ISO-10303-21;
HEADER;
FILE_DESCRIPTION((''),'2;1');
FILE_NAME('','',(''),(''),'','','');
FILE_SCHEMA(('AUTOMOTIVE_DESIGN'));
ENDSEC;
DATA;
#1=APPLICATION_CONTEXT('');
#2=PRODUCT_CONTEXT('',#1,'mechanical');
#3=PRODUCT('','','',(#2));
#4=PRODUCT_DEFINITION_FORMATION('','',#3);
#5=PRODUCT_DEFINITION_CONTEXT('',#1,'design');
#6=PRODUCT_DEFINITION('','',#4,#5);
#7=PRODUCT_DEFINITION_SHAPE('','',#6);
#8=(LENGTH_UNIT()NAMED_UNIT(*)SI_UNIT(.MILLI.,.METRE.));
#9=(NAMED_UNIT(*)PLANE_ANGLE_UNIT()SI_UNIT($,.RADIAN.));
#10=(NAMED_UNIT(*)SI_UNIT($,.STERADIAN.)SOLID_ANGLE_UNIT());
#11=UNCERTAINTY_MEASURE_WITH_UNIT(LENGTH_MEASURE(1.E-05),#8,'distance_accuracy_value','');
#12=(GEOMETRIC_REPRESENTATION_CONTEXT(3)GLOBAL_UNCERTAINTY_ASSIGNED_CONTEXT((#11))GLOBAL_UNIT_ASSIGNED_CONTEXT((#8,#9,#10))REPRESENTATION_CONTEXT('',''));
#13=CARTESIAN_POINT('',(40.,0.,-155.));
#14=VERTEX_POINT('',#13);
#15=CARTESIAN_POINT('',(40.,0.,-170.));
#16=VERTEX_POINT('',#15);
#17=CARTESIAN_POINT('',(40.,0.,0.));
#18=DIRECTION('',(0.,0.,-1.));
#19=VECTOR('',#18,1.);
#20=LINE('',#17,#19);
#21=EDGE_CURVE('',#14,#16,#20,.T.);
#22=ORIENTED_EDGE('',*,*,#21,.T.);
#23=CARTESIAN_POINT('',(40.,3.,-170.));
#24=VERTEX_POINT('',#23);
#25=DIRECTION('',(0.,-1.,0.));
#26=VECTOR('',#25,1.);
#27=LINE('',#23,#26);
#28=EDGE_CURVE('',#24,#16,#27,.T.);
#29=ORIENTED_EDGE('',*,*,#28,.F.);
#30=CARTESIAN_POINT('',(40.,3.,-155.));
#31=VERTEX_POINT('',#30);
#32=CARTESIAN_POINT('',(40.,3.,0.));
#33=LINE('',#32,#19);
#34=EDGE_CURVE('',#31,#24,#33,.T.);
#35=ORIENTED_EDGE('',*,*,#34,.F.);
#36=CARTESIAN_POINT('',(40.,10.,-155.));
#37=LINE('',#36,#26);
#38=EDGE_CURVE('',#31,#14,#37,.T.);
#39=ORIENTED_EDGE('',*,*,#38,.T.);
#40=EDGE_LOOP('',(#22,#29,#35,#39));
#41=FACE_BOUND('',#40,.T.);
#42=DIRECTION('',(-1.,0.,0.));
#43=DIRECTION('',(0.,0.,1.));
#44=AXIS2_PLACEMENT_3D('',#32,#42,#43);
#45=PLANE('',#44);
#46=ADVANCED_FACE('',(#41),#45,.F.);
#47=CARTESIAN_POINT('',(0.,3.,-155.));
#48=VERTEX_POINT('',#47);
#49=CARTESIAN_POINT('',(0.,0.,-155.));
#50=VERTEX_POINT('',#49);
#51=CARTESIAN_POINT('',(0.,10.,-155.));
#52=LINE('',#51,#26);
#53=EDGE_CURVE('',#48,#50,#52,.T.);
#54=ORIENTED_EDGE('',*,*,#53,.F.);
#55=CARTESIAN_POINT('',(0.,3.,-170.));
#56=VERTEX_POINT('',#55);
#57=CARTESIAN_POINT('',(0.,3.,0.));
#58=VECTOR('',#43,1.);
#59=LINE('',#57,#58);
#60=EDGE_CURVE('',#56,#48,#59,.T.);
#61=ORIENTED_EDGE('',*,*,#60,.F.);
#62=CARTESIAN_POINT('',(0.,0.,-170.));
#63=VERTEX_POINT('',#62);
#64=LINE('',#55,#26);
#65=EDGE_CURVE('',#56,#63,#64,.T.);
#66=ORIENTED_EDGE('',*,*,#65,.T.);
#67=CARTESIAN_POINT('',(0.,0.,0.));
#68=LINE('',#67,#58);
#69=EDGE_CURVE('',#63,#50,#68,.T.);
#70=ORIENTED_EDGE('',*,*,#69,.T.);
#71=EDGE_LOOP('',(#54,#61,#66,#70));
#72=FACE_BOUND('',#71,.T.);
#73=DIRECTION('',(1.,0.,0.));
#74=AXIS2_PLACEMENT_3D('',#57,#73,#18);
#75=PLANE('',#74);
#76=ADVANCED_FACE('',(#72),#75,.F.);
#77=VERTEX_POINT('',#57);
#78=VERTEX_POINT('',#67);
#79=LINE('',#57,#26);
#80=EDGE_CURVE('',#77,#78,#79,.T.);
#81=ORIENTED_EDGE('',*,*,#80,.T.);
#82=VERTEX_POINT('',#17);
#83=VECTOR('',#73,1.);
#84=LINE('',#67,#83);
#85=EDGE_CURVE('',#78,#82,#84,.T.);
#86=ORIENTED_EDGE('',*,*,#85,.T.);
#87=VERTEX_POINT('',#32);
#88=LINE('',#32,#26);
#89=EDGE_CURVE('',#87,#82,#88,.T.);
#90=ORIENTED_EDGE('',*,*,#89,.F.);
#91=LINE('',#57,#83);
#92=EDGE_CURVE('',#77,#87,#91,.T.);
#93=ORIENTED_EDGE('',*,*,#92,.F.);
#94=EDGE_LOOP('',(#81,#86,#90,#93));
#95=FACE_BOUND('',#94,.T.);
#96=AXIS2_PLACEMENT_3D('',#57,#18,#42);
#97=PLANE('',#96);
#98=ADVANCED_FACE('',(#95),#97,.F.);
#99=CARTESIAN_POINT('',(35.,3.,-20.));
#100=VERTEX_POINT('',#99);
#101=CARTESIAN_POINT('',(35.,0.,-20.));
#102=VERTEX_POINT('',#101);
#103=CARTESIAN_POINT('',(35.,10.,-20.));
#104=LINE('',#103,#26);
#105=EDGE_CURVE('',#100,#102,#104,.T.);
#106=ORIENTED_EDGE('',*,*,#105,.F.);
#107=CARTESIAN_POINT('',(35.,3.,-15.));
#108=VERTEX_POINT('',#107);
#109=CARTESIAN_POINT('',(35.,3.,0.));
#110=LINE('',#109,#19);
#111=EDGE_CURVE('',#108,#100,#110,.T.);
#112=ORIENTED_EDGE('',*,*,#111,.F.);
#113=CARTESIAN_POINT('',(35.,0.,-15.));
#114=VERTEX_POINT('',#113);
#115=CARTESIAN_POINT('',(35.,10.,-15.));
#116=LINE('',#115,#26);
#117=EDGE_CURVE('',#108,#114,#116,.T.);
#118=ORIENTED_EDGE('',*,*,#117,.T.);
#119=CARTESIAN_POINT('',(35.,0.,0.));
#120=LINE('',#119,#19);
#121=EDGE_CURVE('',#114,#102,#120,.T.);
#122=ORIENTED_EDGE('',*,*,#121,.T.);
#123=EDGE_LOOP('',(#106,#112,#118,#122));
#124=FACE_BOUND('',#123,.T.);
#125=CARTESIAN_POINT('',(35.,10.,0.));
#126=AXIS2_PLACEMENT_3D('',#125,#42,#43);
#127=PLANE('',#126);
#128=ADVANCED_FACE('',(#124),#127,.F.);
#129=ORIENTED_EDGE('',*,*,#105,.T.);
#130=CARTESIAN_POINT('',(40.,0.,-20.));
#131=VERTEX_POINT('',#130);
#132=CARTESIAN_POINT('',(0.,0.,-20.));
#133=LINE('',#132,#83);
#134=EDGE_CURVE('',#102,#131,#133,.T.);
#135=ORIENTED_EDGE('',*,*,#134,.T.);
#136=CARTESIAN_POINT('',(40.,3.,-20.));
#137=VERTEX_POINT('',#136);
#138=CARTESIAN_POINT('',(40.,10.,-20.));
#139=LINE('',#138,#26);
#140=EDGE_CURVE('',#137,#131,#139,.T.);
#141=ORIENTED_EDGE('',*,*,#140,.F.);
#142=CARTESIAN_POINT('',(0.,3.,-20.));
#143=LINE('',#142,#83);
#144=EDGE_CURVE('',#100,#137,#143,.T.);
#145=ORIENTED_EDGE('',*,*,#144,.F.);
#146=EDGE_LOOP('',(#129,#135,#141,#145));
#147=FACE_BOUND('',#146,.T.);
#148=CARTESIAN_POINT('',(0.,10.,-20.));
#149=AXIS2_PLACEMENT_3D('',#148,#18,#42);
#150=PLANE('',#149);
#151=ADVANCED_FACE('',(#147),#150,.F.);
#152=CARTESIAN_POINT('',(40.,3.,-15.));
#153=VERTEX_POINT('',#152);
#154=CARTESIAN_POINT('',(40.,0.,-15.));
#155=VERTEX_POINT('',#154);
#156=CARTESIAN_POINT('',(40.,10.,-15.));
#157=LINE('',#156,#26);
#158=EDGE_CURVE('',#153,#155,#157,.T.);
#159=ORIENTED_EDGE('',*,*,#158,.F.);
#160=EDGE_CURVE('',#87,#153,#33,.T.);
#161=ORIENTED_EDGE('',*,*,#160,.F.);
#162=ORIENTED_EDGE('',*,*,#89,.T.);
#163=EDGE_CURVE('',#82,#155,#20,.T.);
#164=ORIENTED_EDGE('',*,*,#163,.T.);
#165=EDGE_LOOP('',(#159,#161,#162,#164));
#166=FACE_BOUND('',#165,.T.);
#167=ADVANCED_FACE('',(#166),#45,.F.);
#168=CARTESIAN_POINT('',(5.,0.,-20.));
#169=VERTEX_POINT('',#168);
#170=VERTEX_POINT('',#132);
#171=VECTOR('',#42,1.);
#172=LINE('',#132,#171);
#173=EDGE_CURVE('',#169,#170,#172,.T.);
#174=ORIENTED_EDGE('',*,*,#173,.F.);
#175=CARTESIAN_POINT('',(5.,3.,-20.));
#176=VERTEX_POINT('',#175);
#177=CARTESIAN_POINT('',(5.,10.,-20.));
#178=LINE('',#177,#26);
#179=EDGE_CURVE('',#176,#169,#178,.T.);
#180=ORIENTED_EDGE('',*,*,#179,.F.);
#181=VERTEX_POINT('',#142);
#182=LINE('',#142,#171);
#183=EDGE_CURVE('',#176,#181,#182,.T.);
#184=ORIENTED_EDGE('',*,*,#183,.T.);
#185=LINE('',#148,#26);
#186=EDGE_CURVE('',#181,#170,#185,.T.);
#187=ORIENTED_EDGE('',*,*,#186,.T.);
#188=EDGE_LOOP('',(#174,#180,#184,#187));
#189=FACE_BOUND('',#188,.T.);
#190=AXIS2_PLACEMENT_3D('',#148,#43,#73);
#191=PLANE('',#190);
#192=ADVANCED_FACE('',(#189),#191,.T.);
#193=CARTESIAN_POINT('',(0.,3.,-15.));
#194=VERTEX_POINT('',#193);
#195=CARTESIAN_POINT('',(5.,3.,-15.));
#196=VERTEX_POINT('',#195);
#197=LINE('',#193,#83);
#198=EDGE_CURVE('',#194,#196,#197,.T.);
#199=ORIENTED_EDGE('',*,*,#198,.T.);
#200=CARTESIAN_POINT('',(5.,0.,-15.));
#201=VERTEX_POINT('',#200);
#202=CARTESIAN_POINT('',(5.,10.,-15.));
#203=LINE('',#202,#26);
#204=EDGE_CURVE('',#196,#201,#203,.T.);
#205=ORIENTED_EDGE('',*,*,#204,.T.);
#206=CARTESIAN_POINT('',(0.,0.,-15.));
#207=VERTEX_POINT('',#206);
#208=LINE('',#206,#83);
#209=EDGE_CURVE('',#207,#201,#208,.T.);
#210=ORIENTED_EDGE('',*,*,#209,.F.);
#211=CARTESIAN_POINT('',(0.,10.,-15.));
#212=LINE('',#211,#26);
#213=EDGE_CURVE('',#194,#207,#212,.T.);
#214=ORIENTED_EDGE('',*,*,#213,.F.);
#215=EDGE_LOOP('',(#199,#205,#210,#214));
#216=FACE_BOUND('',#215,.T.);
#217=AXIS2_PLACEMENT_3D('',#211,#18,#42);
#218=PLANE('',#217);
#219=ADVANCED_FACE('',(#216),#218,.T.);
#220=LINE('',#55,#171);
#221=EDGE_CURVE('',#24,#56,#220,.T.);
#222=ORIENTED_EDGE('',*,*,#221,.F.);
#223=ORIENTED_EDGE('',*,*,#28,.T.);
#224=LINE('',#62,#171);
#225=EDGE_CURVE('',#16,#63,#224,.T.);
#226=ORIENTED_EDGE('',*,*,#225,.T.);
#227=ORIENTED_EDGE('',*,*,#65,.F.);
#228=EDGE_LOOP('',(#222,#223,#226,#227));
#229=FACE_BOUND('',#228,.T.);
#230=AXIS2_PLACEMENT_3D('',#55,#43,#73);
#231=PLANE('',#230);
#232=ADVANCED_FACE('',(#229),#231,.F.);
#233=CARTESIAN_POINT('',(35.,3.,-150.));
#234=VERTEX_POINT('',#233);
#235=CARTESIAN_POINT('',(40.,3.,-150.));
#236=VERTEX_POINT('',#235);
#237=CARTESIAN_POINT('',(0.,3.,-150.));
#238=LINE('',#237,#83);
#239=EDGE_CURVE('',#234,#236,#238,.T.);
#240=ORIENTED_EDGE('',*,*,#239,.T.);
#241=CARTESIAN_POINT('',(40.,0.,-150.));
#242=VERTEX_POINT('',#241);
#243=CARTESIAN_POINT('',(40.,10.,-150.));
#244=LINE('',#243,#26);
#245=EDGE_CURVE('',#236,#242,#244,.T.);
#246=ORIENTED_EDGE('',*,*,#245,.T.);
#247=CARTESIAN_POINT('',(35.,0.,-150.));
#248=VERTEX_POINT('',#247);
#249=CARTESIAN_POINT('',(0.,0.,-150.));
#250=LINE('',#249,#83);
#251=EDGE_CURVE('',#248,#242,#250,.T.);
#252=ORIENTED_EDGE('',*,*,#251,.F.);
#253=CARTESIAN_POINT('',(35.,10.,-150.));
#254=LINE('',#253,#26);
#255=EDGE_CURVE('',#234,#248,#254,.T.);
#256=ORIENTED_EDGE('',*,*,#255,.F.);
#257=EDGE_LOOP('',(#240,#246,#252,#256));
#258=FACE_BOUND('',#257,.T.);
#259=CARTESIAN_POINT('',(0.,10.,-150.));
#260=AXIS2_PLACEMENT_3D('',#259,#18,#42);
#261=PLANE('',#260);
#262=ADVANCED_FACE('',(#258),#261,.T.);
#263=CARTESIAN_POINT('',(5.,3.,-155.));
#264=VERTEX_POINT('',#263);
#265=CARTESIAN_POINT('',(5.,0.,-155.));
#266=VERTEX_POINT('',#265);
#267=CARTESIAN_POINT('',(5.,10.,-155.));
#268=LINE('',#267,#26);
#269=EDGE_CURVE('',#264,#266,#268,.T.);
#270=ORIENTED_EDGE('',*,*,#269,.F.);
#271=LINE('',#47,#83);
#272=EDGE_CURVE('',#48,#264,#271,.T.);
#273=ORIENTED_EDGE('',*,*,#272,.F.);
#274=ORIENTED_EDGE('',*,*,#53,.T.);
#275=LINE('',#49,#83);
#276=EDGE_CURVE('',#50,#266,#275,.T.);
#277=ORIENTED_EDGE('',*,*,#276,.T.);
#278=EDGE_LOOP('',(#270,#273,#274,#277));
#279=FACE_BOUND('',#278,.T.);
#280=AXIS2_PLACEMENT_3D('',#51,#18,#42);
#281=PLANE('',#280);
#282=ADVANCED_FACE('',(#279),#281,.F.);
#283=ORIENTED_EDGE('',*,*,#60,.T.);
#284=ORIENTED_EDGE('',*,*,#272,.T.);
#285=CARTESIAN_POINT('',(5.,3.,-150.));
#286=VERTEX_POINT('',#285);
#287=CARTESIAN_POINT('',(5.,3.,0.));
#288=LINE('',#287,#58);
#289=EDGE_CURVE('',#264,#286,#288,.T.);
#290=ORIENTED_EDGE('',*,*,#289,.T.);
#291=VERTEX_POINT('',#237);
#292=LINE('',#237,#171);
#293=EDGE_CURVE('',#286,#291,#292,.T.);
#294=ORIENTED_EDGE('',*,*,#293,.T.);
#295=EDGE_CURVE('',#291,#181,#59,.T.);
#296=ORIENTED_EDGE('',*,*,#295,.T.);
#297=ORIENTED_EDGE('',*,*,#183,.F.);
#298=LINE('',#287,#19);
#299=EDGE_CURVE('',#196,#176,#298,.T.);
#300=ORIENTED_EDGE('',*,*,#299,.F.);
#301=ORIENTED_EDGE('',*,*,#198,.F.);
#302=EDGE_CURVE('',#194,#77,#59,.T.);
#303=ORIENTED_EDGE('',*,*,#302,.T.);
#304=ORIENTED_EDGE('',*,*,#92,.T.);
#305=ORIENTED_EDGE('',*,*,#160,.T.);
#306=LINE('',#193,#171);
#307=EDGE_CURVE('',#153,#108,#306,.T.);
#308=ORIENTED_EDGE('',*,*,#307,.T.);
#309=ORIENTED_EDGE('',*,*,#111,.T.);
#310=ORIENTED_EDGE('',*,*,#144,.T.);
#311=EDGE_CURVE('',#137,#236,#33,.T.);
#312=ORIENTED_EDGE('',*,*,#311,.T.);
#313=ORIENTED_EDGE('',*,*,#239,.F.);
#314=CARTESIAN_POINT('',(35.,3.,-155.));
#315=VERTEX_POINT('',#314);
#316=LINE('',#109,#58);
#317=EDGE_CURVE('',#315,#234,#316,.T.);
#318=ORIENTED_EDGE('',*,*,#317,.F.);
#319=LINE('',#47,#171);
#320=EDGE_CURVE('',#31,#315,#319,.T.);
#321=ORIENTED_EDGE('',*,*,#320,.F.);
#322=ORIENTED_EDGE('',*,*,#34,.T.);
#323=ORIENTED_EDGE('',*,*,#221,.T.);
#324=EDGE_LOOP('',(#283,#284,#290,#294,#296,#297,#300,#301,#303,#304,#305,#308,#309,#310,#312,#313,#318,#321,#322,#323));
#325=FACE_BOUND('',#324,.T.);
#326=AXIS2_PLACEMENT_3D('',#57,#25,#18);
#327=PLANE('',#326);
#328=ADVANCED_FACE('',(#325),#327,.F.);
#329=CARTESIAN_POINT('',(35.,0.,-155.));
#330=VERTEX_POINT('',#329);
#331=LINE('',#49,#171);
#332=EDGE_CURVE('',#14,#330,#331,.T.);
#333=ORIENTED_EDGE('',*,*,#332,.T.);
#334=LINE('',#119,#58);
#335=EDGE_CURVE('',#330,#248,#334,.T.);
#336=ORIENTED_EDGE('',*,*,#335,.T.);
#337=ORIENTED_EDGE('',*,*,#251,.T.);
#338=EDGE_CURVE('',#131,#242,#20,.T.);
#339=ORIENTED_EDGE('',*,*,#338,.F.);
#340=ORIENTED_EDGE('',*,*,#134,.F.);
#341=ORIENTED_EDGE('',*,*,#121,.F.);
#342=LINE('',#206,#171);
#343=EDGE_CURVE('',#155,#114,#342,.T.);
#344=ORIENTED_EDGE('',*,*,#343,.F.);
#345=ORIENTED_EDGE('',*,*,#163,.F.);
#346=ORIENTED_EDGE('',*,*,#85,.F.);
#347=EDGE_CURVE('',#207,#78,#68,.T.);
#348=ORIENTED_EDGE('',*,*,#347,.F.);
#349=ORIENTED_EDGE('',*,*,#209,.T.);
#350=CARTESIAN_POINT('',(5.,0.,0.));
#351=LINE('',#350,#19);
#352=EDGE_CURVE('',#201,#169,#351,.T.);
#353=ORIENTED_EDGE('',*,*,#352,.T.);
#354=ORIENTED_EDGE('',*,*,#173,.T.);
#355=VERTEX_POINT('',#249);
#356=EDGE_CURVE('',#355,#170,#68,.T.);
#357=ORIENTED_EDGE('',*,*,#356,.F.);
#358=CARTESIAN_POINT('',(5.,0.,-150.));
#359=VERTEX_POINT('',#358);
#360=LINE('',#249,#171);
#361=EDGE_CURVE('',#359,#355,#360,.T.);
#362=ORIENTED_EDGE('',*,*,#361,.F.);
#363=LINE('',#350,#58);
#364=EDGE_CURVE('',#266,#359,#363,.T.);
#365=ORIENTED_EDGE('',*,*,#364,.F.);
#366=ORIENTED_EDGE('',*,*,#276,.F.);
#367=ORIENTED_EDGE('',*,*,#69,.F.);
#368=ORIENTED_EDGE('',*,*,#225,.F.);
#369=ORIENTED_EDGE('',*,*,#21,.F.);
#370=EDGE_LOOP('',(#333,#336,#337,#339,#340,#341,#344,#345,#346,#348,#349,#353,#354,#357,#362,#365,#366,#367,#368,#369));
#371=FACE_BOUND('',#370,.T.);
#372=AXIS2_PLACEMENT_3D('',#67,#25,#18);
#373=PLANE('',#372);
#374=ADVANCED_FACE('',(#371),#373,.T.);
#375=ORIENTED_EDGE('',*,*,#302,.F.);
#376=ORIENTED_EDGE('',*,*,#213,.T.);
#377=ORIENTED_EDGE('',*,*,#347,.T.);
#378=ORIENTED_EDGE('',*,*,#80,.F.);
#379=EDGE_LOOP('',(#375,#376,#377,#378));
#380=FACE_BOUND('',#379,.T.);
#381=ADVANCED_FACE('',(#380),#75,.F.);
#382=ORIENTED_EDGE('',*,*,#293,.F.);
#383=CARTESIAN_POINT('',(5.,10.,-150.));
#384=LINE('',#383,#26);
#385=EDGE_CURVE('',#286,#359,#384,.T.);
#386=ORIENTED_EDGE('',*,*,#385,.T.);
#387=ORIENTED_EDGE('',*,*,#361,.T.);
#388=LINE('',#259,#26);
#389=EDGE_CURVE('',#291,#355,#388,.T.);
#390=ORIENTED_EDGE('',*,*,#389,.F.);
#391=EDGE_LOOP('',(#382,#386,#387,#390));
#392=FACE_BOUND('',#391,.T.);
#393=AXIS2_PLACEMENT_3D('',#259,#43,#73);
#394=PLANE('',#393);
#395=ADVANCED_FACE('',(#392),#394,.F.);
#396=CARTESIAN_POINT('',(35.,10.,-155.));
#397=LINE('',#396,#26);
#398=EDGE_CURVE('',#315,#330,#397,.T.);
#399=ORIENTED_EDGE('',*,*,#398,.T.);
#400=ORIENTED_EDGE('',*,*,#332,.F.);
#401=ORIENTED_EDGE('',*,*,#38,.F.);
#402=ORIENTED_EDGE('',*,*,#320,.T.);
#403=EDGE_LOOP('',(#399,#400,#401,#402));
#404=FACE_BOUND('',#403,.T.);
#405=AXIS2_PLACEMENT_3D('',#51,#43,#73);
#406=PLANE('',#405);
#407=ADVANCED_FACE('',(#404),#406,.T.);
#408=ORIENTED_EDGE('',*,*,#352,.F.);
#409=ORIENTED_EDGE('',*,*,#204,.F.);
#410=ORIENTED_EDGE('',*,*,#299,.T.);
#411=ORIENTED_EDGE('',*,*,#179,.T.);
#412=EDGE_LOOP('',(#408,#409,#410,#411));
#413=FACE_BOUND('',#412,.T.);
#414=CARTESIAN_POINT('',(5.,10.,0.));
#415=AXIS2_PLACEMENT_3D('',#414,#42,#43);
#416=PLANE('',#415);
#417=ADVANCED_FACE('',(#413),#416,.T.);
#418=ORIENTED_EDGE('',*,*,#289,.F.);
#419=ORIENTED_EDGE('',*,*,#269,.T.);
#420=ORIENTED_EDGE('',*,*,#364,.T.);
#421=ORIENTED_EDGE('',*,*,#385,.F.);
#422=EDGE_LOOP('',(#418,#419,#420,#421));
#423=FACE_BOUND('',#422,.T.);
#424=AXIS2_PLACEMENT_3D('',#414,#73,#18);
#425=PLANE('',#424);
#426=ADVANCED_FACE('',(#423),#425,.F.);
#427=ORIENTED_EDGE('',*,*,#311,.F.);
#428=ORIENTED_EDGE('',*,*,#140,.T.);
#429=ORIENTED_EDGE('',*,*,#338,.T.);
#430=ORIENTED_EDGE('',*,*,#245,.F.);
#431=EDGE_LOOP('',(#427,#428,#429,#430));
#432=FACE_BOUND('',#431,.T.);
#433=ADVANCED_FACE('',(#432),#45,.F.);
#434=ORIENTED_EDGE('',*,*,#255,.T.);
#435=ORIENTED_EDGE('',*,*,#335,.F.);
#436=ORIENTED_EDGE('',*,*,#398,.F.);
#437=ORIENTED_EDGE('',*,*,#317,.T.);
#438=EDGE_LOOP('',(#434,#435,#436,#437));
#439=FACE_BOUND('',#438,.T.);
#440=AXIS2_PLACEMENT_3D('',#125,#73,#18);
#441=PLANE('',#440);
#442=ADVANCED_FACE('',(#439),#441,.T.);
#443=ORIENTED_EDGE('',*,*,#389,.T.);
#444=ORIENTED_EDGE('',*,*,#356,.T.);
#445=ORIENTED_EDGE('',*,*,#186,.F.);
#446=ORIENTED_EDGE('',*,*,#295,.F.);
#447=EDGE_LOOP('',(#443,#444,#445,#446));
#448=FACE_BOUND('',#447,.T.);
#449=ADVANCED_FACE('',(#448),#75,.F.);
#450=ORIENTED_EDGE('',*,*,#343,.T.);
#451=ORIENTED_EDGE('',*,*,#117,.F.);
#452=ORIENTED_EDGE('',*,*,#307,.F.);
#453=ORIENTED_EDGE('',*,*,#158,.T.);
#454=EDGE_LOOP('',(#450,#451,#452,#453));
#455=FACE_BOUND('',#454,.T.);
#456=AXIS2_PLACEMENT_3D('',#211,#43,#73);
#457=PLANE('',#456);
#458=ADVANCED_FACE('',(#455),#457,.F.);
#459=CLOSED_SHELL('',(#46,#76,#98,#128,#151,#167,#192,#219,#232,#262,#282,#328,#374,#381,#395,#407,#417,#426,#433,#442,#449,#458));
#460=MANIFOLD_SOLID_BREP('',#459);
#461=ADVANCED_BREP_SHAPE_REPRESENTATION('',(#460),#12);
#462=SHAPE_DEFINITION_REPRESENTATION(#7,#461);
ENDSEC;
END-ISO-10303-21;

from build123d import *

# Parameters (mm, degrees)
SKETCH1_W           = 40
SKETCH1_H           = 170
BOSS_EXTRUDE1_DEPTH = 3
SKETCH2_W           = 5
SKETCH2_H           = 5
CUT_EXTRUDE1_DEPTH  = 10


with BuildPart() as part:
    # Sketch1 → Boss-Extrude1 (new body)
    with BuildSketch(Plane(origin=(0, 0, 0), x_dir=(1, 0, 0), z_dir=(0, 1, 0))):
        with Locations((20, 85)):
            Rectangle(SKETCH1_W, SKETCH1_H)
    extrude(amount=BOSS_EXTRUDE1_DEPTH)

    # Sketch2 → Cut-Extrude1 (cut)
    with BuildSketch(Plane(origin=(0, 0, 0), x_dir=(1, 0, 0), z_dir=(0, 1, 0))):
        with Locations((2.5, 152.5)):
            Rectangle(SKETCH2_W, SKETCH2_H)
        with Locations((37.5, 17.5)):
            Rectangle(SKETCH2_W, SKETCH2_H)
        with Locations((2.5, 17.5)):
            Rectangle(SKETCH2_W, SKETCH2_H)
        with Locations((37.5, 152.5)):
            Rectangle(SKETCH2_W, SKETCH2_H)
    extrude(amount=CUT_EXTRUDE1_DEPTH, mode=Mode.SUBTRACT)


solid = part.part
